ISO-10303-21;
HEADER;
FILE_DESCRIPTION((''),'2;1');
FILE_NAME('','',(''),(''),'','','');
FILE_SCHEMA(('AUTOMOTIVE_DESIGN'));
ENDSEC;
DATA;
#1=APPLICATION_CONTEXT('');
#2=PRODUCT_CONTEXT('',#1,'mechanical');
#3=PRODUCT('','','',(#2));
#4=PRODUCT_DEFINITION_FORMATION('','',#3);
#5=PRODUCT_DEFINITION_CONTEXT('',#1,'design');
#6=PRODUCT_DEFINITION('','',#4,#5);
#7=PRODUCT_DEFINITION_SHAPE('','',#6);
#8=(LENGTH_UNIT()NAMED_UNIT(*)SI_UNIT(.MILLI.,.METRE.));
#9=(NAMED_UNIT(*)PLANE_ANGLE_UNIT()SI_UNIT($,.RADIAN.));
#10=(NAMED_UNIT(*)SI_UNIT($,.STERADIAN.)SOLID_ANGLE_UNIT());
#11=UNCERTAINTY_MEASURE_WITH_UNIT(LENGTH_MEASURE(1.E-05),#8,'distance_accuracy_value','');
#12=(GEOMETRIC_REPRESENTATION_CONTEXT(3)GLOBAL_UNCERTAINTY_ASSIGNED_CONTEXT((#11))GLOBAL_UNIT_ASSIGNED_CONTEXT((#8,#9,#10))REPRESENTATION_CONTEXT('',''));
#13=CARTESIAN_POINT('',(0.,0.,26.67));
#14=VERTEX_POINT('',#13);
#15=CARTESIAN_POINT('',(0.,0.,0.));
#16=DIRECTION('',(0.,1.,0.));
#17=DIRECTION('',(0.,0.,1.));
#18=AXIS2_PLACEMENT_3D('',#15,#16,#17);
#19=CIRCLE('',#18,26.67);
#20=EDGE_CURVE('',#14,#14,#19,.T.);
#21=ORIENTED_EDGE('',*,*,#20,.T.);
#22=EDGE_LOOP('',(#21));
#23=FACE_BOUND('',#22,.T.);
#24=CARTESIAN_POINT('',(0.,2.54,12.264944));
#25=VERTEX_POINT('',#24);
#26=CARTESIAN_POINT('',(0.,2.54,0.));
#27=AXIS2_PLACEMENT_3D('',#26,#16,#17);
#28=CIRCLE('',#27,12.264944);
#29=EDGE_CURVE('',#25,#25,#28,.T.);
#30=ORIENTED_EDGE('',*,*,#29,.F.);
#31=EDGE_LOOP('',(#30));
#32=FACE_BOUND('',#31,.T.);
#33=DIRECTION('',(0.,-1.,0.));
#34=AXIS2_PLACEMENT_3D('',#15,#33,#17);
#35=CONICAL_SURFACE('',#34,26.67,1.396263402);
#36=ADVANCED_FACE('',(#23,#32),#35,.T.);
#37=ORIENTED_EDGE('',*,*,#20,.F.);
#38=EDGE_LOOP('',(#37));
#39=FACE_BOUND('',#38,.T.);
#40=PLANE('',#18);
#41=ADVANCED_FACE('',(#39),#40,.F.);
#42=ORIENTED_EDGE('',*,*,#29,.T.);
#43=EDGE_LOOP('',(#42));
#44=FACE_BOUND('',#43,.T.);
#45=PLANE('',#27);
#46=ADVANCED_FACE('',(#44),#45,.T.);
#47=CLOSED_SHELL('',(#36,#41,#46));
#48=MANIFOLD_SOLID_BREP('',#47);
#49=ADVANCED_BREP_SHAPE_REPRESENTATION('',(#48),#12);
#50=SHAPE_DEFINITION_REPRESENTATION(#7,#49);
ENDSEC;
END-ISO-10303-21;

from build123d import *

# Parameters (mm, degrees)
CROQUIS1_R              = 26.67
SALIENTE_EXTRUIR1_DEPTH = 2.54
SALIENTE_EXTRUIR1_TAPER = 80


with BuildPart() as part:
    # Croquis1 → Saliente-Extruir1 (new body)
    with BuildSketch(Plane(origin=(0, 0, 0), x_dir=(1, 0, 0), z_dir=(0, 1, 0))):
        Circle(CROQUIS1_R)
    extrude(amount=SALIENTE_EXTRUIR1_DEPTH, taper=SALIENTE_EXTRUIR1_TAPER)


solid = part.part
